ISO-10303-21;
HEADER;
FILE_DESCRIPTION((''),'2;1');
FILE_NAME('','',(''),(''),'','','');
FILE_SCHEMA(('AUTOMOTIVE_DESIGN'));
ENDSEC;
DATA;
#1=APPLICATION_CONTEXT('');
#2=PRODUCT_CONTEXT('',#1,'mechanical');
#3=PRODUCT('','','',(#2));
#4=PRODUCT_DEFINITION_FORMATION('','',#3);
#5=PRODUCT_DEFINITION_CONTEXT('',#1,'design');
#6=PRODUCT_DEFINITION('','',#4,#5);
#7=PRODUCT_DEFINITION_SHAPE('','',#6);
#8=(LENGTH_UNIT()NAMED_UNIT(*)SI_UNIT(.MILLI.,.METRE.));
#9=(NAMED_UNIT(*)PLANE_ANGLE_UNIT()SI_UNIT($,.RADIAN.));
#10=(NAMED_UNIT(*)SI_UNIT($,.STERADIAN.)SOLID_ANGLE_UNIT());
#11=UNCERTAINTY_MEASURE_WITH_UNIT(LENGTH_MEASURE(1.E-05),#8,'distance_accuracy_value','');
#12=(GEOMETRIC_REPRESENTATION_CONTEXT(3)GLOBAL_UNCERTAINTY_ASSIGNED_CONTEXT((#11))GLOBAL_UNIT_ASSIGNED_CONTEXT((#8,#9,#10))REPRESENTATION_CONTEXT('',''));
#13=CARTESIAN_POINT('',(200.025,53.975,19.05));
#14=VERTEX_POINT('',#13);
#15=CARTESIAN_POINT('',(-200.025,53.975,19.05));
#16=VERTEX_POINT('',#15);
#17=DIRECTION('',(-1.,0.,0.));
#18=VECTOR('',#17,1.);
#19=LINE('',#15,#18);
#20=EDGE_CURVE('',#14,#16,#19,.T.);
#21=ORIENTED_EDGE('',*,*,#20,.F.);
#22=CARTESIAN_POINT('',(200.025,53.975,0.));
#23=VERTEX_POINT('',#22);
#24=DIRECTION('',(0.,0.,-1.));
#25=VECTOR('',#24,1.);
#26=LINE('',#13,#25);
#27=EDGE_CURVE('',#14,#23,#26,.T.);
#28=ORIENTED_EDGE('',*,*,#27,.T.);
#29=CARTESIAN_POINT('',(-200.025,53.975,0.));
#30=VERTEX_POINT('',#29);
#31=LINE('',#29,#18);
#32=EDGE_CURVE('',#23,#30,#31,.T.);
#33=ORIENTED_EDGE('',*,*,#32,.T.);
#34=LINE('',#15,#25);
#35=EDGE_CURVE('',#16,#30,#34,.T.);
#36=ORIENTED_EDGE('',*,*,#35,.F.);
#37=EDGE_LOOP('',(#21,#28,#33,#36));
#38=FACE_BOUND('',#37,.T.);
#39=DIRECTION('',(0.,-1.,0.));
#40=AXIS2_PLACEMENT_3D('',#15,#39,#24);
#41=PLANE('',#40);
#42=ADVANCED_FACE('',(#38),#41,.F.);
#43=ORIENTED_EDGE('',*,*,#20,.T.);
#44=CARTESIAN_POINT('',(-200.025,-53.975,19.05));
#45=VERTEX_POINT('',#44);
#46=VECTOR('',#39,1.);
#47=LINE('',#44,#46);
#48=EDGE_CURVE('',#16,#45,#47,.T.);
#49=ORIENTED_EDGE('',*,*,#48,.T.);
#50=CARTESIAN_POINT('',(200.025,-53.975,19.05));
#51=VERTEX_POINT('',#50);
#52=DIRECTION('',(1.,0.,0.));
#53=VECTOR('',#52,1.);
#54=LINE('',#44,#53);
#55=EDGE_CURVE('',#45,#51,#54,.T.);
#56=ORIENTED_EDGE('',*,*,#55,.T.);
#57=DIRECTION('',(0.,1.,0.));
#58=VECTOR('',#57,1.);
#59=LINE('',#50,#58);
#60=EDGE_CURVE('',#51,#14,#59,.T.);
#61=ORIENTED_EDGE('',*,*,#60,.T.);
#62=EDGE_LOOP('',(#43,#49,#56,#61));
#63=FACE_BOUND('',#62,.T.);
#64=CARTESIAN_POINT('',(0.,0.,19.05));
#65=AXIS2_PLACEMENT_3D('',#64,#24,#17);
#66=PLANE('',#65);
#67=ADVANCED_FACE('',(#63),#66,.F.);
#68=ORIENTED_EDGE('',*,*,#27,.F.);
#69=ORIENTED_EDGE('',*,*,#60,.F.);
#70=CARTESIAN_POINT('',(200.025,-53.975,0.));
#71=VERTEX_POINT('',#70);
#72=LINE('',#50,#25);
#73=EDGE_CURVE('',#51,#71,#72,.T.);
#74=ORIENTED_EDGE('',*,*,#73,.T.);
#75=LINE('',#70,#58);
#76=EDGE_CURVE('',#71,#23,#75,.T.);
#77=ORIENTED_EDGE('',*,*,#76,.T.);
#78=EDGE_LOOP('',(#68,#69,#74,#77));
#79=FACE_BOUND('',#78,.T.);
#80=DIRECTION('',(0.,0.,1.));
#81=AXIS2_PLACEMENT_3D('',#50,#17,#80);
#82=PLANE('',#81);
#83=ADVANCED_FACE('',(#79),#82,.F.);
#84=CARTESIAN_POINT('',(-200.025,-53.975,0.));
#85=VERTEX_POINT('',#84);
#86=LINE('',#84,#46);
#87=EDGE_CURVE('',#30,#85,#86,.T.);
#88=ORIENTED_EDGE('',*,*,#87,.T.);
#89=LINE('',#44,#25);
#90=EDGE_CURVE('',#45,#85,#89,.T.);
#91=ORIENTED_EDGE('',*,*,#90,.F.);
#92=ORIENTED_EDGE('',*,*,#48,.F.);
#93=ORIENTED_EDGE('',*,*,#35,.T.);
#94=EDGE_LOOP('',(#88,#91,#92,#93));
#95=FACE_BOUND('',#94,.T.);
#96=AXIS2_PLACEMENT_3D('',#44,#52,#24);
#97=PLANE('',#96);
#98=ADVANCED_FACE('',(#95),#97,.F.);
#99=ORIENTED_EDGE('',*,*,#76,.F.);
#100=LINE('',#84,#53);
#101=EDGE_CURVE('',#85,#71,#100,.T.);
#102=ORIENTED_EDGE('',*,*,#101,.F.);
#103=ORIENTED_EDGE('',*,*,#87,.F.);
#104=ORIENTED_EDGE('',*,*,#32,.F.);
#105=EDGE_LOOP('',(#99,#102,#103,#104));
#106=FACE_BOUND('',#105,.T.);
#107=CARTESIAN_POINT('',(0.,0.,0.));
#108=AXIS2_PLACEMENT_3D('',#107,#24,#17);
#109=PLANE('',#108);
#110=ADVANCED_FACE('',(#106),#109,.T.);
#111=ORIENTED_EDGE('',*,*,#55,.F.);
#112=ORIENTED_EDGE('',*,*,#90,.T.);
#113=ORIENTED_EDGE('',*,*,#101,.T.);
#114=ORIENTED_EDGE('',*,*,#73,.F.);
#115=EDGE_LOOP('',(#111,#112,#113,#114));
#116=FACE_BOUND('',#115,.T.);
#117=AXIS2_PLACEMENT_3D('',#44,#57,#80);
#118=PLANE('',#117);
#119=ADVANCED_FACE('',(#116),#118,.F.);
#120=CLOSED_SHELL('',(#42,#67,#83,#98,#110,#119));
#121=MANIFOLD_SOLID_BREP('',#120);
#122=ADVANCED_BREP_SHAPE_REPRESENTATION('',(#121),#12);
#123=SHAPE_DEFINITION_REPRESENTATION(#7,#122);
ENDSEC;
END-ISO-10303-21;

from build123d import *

# Parameters (mm, degrees)
SKETCH1_W           = 400.05
SKETCH1_H           = 107.95
BOSS_EXTRUDE1_DEPTH = 19.05


with BuildPart() as part:
    # Sketch1 → Boss-Extrude1 (new body)
    with BuildSketch(Plane.XY):
        Rectangle(SKETCH1_W, SKETCH1_H)
    extrude(amount=BOSS_EXTRUDE1_DEPTH)


solid = part.part
